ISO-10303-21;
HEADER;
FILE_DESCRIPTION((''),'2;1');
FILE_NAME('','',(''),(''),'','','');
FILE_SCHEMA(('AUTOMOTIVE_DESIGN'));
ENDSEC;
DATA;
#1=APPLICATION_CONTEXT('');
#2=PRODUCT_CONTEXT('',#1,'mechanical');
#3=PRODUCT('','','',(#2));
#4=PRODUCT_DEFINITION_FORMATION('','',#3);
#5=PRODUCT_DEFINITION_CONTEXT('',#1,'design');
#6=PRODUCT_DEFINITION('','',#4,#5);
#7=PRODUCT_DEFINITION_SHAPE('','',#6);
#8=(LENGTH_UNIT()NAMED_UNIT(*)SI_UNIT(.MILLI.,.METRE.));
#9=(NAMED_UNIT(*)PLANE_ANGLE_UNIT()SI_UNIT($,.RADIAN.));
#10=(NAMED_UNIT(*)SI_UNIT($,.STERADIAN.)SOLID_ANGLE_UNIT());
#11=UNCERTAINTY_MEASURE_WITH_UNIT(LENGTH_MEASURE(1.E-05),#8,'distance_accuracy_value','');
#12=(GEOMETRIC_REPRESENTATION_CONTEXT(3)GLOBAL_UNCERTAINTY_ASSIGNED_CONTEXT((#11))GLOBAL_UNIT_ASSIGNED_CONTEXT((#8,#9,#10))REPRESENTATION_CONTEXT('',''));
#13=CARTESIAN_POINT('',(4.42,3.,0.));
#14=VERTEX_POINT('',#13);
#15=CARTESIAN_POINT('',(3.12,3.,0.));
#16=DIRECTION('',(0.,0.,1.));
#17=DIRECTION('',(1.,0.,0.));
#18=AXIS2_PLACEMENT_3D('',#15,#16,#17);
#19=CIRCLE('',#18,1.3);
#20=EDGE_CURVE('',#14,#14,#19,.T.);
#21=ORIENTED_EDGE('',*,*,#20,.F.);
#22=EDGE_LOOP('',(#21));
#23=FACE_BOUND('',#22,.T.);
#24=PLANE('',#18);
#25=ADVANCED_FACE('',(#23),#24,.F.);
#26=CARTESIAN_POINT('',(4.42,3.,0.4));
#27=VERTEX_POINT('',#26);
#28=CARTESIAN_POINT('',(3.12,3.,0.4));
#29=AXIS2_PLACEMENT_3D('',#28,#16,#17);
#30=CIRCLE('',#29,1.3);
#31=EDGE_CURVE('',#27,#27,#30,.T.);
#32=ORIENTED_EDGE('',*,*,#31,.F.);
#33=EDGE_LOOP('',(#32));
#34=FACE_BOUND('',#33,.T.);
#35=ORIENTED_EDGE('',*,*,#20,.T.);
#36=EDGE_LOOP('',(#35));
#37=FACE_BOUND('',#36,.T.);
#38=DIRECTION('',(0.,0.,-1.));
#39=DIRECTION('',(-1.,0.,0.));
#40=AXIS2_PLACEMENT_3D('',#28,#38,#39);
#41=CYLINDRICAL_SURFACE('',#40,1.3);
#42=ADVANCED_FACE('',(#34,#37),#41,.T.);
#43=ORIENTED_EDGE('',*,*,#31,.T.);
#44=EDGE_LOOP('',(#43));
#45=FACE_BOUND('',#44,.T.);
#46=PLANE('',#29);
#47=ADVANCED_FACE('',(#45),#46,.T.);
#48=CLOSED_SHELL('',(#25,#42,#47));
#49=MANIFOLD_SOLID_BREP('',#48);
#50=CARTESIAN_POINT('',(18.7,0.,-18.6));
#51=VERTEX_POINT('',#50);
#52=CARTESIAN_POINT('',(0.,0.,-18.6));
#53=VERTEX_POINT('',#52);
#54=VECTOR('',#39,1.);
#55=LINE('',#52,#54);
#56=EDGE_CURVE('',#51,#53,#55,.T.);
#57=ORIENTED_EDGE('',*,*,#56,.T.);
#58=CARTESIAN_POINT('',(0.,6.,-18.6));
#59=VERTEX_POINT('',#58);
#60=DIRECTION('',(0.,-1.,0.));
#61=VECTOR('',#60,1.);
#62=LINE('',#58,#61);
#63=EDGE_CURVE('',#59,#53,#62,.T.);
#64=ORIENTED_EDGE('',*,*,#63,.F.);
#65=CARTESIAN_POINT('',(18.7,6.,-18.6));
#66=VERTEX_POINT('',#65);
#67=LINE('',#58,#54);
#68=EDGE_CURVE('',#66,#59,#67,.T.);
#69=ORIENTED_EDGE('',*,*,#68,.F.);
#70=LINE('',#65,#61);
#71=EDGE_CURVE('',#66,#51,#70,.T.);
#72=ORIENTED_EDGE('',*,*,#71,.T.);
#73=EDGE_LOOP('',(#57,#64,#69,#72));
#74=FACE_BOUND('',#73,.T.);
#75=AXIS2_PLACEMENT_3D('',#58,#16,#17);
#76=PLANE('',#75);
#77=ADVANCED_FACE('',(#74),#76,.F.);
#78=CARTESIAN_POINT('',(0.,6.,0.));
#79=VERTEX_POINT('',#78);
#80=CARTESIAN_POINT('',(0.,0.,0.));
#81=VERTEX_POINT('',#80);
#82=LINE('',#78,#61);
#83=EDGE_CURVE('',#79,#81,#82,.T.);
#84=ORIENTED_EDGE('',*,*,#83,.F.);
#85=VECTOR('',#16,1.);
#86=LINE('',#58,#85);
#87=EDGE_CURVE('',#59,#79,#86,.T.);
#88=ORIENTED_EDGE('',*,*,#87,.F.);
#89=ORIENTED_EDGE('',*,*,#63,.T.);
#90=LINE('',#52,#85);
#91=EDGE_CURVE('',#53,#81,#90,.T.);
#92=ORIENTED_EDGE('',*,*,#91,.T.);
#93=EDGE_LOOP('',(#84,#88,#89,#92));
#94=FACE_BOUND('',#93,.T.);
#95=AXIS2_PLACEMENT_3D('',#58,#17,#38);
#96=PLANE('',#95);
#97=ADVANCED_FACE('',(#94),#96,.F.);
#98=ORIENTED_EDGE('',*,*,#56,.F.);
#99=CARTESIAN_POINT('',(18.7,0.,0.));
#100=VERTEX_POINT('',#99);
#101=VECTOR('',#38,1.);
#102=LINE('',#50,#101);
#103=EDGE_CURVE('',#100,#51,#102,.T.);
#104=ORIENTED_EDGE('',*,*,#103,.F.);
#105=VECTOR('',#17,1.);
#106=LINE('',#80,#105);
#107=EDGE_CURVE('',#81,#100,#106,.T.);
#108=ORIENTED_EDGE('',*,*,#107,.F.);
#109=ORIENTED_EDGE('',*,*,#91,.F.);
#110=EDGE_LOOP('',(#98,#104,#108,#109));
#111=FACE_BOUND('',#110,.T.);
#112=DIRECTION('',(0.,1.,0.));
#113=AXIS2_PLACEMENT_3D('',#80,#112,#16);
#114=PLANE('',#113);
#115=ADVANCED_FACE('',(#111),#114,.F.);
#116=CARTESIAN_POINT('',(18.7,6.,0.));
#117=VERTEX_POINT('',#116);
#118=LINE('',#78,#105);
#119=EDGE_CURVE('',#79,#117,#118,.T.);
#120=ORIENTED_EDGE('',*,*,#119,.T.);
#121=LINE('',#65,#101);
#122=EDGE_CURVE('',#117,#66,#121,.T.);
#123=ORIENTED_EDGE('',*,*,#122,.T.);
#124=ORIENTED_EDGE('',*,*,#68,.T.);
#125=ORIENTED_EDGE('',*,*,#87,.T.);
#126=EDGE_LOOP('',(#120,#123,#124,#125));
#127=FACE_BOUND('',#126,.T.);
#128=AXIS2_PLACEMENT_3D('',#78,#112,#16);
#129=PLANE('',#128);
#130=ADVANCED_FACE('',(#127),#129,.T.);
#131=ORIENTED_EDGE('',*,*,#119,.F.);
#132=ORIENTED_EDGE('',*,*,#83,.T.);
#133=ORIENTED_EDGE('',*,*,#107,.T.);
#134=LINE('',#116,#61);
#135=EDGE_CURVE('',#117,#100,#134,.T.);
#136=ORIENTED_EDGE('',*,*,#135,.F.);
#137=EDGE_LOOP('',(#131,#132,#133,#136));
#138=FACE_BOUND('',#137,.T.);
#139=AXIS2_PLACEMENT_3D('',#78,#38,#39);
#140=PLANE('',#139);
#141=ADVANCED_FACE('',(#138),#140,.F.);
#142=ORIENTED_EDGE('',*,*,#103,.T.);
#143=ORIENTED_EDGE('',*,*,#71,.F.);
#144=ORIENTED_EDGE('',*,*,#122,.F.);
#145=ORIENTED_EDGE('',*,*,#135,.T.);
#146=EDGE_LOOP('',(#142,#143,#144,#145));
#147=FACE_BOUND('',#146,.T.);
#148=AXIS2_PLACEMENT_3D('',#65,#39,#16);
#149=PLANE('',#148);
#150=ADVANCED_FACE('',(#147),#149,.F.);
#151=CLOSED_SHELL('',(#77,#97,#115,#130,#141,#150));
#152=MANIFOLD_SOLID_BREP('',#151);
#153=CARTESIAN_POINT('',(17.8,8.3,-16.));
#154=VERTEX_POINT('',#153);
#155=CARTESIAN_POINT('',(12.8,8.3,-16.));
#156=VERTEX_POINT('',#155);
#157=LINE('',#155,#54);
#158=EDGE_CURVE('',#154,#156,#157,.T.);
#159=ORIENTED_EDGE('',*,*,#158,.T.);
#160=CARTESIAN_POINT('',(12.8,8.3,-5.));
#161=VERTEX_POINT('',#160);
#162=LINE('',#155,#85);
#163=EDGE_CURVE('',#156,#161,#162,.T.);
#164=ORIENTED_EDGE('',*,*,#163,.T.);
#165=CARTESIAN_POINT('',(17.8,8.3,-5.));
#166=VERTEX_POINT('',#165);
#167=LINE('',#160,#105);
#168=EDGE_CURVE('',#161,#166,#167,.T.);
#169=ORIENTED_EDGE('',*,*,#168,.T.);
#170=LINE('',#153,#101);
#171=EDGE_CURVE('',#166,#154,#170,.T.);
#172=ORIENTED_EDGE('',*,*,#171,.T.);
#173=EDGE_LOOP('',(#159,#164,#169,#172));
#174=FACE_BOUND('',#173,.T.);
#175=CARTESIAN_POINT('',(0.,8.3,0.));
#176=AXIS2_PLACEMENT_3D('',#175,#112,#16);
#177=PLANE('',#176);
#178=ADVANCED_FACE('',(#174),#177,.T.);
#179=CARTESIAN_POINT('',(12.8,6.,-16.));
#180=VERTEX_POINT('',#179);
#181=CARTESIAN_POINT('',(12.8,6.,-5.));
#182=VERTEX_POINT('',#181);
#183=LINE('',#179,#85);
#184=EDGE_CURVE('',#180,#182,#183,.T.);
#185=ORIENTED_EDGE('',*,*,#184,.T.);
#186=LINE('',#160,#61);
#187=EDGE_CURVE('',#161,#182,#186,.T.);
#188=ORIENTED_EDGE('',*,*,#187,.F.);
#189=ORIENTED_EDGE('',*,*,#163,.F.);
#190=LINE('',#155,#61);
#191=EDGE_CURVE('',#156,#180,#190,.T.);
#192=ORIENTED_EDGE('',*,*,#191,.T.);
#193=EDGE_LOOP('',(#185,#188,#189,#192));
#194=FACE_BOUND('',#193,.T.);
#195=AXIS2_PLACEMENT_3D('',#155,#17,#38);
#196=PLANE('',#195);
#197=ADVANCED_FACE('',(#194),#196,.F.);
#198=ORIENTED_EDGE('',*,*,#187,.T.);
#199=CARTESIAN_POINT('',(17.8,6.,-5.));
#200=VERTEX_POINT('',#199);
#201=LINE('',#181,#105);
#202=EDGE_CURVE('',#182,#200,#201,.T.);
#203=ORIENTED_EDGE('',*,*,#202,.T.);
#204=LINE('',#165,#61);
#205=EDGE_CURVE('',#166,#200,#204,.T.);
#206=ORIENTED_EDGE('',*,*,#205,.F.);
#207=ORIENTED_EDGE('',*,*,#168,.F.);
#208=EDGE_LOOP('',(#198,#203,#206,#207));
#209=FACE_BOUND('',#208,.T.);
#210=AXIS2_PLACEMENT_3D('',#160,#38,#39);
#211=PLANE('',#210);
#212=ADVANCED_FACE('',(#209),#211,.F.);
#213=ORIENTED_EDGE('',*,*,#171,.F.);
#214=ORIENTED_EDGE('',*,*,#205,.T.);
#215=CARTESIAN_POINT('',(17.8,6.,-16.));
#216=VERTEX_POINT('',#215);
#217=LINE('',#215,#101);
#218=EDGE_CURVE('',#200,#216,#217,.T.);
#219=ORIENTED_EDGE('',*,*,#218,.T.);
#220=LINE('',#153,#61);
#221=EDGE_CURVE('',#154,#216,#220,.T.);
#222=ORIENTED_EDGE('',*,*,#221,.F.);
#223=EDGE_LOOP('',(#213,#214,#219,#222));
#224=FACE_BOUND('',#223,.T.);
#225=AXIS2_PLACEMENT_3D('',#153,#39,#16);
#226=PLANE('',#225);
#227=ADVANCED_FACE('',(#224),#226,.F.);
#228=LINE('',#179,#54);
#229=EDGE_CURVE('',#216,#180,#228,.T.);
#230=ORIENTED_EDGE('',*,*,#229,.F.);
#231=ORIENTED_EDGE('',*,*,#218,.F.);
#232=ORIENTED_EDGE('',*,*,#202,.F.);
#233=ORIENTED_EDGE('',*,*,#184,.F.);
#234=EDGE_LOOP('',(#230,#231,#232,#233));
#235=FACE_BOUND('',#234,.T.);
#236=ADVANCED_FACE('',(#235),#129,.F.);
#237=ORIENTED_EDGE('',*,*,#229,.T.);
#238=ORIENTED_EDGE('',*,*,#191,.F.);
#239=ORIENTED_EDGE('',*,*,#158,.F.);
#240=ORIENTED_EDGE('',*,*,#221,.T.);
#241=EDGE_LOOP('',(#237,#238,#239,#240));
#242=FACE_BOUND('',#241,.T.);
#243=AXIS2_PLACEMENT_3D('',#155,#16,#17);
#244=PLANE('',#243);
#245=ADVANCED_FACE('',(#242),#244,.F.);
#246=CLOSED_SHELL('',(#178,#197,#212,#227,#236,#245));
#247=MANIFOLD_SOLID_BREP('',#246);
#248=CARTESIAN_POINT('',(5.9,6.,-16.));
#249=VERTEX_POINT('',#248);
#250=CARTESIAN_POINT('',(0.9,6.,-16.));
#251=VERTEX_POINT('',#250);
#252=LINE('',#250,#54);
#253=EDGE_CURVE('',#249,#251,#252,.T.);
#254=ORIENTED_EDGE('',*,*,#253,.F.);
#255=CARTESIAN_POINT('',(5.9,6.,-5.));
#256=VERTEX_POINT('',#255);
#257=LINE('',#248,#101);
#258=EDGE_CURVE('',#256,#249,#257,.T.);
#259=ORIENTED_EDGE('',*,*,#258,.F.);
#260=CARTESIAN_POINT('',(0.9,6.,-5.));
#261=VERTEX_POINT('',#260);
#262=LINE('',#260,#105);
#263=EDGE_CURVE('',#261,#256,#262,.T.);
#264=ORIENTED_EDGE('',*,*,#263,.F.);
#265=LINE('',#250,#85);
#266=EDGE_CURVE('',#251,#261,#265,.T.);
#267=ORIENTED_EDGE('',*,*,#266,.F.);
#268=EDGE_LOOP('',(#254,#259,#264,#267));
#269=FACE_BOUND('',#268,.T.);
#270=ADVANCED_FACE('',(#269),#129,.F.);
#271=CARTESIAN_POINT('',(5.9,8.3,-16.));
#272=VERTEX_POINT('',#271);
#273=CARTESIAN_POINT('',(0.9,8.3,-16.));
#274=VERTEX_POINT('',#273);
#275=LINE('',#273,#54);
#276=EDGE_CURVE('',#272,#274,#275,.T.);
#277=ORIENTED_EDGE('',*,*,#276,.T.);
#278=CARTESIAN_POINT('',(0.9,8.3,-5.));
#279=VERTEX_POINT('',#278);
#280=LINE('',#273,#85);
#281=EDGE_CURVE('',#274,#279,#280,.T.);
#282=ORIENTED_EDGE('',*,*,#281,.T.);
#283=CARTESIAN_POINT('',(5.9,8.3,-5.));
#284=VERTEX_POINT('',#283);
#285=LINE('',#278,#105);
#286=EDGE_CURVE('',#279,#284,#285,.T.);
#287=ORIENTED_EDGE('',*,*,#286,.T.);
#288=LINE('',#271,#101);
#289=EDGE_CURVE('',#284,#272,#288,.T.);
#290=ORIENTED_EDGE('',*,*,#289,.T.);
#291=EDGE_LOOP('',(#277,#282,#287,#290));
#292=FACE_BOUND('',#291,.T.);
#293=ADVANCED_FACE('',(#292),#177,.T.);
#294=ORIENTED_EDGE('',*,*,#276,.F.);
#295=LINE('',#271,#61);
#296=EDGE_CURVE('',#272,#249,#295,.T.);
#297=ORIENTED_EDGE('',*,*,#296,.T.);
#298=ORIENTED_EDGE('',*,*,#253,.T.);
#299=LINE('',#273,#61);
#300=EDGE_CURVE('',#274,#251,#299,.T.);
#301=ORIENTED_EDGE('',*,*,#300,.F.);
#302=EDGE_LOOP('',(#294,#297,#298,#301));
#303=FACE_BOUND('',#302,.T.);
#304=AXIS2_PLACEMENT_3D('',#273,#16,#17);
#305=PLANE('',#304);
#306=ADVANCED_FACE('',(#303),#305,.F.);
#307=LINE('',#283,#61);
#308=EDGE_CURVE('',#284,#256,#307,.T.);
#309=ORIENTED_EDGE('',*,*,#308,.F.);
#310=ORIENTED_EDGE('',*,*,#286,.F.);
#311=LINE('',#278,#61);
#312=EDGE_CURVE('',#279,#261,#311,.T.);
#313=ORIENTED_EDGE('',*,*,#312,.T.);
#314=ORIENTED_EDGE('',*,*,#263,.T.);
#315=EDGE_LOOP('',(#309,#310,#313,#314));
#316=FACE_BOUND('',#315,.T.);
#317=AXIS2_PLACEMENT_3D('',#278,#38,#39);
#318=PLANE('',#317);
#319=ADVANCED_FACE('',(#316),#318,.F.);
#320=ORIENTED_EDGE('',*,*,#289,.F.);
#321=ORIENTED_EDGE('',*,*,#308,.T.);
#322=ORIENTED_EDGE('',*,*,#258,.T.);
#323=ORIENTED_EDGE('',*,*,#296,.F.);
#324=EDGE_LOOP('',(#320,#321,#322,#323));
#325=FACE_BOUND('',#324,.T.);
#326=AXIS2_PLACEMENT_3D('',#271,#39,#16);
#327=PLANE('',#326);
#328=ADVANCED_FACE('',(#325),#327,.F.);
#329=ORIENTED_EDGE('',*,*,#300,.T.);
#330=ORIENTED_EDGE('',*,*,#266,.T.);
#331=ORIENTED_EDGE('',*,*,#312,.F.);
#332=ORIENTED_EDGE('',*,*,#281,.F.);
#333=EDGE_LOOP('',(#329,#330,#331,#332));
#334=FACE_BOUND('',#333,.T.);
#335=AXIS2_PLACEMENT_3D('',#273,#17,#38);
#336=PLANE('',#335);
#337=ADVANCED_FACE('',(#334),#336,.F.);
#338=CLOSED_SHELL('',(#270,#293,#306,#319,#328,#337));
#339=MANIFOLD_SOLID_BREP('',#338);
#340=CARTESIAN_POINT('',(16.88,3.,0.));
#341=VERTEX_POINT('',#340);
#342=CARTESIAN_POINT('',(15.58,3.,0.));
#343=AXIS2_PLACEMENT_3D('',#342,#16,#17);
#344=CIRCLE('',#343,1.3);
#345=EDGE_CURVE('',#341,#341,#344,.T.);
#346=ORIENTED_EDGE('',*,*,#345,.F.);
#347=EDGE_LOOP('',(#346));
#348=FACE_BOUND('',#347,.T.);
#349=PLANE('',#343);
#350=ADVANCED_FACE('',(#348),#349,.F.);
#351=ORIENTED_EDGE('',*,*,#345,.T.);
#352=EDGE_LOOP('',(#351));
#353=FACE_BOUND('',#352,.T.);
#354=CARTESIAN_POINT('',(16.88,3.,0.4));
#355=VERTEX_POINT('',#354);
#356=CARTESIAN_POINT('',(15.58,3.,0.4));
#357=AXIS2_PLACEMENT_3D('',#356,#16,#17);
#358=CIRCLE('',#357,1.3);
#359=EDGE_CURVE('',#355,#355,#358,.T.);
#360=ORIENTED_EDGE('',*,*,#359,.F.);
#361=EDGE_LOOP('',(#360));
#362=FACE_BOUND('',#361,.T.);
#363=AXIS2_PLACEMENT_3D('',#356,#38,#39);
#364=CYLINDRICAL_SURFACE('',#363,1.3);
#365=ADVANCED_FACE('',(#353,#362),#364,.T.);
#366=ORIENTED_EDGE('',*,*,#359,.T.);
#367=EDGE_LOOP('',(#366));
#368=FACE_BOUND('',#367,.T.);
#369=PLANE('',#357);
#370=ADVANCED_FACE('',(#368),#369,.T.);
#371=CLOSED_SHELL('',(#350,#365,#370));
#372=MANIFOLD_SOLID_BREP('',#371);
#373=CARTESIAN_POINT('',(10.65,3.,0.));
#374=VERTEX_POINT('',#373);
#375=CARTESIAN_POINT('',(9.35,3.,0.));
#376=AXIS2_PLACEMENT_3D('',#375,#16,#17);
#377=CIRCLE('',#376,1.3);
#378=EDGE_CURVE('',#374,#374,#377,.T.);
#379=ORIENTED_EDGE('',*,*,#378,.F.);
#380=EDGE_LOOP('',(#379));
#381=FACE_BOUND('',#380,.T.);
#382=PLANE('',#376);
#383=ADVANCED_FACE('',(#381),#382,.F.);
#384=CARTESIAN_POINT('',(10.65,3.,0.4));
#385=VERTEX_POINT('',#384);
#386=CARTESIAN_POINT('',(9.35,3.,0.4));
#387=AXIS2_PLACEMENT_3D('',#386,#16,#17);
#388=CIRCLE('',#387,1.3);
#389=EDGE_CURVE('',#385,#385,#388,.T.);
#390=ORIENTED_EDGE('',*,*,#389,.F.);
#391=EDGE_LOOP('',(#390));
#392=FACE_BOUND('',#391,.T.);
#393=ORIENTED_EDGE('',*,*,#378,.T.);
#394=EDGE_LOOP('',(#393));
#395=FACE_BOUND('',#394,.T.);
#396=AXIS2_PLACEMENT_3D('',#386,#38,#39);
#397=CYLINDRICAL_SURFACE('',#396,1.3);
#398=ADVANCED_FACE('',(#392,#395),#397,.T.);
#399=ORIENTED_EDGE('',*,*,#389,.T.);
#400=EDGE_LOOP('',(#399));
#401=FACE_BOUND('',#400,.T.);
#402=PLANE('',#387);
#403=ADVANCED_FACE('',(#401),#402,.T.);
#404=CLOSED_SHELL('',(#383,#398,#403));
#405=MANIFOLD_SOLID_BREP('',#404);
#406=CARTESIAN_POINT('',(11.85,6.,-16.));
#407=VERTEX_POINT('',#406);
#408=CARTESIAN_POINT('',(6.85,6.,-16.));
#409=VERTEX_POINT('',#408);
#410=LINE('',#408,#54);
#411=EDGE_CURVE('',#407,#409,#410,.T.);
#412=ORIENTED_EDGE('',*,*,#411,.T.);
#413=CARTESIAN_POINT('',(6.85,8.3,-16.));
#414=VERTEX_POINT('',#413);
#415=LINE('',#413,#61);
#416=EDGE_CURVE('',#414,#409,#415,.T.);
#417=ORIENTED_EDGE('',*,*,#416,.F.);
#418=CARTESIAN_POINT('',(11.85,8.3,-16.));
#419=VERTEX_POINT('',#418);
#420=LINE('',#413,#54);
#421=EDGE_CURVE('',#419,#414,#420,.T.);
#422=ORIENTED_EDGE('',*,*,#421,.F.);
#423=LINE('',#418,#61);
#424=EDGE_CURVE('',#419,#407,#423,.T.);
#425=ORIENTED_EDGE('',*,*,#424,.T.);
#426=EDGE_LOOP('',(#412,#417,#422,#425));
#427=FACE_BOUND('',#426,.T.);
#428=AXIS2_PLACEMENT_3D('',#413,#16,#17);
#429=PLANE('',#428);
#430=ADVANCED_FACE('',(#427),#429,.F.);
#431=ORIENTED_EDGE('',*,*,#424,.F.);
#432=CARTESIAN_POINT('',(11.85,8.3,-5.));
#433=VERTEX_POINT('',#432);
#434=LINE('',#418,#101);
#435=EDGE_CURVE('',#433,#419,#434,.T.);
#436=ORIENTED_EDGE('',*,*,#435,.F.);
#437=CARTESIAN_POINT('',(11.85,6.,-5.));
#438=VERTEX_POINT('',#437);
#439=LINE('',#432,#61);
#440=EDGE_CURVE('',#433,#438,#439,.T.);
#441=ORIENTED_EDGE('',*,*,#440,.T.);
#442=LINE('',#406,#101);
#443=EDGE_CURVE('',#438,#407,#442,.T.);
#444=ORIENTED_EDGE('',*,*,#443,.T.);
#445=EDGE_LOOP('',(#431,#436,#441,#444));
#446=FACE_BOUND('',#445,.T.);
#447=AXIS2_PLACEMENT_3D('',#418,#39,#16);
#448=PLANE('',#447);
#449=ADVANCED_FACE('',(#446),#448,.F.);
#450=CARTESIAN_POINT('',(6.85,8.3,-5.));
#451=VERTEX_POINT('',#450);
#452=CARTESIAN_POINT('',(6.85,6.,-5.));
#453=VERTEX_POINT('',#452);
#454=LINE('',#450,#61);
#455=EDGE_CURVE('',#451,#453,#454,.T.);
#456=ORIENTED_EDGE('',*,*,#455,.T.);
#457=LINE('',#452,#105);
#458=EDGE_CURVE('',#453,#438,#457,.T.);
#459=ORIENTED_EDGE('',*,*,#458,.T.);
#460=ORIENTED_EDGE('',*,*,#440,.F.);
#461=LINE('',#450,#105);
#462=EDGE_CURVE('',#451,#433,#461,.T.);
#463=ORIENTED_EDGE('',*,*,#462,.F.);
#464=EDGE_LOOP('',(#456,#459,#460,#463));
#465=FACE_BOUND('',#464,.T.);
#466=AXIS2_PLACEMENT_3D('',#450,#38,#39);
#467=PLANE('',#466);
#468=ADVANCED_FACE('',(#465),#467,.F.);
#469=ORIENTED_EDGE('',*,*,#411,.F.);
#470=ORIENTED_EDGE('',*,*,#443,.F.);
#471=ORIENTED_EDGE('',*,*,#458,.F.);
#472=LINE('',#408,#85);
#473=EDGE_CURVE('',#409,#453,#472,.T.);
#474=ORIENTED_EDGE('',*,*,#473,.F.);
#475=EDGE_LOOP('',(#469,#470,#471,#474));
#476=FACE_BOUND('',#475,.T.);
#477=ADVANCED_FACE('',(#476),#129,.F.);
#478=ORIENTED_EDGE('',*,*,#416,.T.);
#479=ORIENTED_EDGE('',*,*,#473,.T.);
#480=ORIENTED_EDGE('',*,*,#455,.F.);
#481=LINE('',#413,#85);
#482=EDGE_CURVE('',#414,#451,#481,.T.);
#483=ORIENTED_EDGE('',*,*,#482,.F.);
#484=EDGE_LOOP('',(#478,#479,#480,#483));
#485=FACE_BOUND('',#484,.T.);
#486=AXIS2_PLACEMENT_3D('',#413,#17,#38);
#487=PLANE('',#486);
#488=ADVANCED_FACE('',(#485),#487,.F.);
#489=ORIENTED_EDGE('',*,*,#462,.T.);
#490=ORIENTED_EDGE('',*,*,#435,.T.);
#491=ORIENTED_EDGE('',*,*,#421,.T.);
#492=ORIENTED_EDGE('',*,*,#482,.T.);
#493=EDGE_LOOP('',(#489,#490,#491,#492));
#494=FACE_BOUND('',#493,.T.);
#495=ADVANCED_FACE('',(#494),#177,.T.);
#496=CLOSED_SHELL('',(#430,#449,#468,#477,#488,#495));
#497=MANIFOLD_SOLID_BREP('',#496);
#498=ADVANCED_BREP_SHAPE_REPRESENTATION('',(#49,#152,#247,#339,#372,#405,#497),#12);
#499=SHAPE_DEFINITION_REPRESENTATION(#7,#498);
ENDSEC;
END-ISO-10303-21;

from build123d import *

# Parameters (mm, degrees)
SK_HOUSING_W         = 18.7
SK_HOUSING_H         = 18.6
HOUSING_DEPTH        = 6
LEVERS_START         = 6
SK_LEVERS_W          = 5
SK_LEVERS_H          = 11
LEVERS_DEPTH         = 2.3
LEVERS_2_DEPTH       = 2.3
LEVERS_3_DEPTH       = 2.3
SK_WIRE_ENTRIES_R    = 1.3
WIRE_ENTRIES_DEPTH   = 0.4
WIRE_ENTRIES_2_DEPTH = 0.4
WIRE_ENTRIES_3_DEPTH = 0.4


with BuildPart() as part:
    # SK Housing → Housing (new body)
    with BuildSketch(Plane(origin=(0, 0, 0), x_dir=(1, 0, 0), z_dir=(0, 1, 0))):
        with Locations((9.35, 9.3)):
            Rectangle(SK_HOUSING_W, SK_HOUSING_H)
    extrude(amount=HOUSING_DEPTH)


with BuildPart() as body_2:
    # SK Levers → Levers (new body)
    with BuildSketch(Plane(origin=(0, 0, 0), x_dir=(1, 0, 0), z_dir=(0, 1, 0)).offset(LEVERS_START)):
        with Locations((3.4, 10.5)):
            Rectangle(SK_LEVERS_W, SK_LEVERS_H)
    extrude(amount=LEVERS_DEPTH)


with BuildPart() as body_3:
    # SK Levers → Levers 2 (new body)
    with BuildSketch(Plane(origin=(0, 0, 0), x_dir=(1, 0, 0), z_dir=(0, 1, 0)).offset(LEVERS_START)):
        with Locations((9.35, 10.5)):
            Rectangle(SK_LEVERS_W, SK_LEVERS_H)
    extrude(amount=LEVERS_2_DEPTH)


with BuildPart() as body_4:
    # SK Levers → Levers 3 (new body)
    with BuildSketch(Plane(origin=(0, 0, 0), x_dir=(1, 0, 0), z_dir=(0, 1, 0)).offset(LEVERS_START)):
        with Locations((15.3, 10.5)):
            Rectangle(SK_LEVERS_W, SK_LEVERS_H)
    extrude(amount=LEVERS_3_DEPTH)


with BuildPart() as body_5:
    # SK Wire entries → Wire entries (new body)
    with BuildSketch(Plane.XY):
        with Locations((3.12, 3)):
            Circle(SK_WIRE_ENTRIES_R)
    extrude(amount=WIRE_ENTRIES_DEPTH)


with BuildPart() as body_6:
    # SK Wire entries → Wire entries 2 (new body)
    with BuildSketch(Plane.XY):
        with Locations((9.35, 3)):
            Circle(SK_WIRE_ENTRIES_R)
    extrude(amount=WIRE_ENTRIES_2_DEPTH)


with BuildPart() as body_7:
    # SK Wire entries → Wire entries 3 (new body)
    with BuildSketch(Plane.XY):
        with Locations((15.58, 3)):
            Circle(SK_WIRE_ENTRIES_R)
    extrude(amount=WIRE_ENTRIES_3_DEPTH)


solid = Compound([part.part, body_2.part, body_3.part, body_4.part, body_5.part, body_6.part, body_7.part])
